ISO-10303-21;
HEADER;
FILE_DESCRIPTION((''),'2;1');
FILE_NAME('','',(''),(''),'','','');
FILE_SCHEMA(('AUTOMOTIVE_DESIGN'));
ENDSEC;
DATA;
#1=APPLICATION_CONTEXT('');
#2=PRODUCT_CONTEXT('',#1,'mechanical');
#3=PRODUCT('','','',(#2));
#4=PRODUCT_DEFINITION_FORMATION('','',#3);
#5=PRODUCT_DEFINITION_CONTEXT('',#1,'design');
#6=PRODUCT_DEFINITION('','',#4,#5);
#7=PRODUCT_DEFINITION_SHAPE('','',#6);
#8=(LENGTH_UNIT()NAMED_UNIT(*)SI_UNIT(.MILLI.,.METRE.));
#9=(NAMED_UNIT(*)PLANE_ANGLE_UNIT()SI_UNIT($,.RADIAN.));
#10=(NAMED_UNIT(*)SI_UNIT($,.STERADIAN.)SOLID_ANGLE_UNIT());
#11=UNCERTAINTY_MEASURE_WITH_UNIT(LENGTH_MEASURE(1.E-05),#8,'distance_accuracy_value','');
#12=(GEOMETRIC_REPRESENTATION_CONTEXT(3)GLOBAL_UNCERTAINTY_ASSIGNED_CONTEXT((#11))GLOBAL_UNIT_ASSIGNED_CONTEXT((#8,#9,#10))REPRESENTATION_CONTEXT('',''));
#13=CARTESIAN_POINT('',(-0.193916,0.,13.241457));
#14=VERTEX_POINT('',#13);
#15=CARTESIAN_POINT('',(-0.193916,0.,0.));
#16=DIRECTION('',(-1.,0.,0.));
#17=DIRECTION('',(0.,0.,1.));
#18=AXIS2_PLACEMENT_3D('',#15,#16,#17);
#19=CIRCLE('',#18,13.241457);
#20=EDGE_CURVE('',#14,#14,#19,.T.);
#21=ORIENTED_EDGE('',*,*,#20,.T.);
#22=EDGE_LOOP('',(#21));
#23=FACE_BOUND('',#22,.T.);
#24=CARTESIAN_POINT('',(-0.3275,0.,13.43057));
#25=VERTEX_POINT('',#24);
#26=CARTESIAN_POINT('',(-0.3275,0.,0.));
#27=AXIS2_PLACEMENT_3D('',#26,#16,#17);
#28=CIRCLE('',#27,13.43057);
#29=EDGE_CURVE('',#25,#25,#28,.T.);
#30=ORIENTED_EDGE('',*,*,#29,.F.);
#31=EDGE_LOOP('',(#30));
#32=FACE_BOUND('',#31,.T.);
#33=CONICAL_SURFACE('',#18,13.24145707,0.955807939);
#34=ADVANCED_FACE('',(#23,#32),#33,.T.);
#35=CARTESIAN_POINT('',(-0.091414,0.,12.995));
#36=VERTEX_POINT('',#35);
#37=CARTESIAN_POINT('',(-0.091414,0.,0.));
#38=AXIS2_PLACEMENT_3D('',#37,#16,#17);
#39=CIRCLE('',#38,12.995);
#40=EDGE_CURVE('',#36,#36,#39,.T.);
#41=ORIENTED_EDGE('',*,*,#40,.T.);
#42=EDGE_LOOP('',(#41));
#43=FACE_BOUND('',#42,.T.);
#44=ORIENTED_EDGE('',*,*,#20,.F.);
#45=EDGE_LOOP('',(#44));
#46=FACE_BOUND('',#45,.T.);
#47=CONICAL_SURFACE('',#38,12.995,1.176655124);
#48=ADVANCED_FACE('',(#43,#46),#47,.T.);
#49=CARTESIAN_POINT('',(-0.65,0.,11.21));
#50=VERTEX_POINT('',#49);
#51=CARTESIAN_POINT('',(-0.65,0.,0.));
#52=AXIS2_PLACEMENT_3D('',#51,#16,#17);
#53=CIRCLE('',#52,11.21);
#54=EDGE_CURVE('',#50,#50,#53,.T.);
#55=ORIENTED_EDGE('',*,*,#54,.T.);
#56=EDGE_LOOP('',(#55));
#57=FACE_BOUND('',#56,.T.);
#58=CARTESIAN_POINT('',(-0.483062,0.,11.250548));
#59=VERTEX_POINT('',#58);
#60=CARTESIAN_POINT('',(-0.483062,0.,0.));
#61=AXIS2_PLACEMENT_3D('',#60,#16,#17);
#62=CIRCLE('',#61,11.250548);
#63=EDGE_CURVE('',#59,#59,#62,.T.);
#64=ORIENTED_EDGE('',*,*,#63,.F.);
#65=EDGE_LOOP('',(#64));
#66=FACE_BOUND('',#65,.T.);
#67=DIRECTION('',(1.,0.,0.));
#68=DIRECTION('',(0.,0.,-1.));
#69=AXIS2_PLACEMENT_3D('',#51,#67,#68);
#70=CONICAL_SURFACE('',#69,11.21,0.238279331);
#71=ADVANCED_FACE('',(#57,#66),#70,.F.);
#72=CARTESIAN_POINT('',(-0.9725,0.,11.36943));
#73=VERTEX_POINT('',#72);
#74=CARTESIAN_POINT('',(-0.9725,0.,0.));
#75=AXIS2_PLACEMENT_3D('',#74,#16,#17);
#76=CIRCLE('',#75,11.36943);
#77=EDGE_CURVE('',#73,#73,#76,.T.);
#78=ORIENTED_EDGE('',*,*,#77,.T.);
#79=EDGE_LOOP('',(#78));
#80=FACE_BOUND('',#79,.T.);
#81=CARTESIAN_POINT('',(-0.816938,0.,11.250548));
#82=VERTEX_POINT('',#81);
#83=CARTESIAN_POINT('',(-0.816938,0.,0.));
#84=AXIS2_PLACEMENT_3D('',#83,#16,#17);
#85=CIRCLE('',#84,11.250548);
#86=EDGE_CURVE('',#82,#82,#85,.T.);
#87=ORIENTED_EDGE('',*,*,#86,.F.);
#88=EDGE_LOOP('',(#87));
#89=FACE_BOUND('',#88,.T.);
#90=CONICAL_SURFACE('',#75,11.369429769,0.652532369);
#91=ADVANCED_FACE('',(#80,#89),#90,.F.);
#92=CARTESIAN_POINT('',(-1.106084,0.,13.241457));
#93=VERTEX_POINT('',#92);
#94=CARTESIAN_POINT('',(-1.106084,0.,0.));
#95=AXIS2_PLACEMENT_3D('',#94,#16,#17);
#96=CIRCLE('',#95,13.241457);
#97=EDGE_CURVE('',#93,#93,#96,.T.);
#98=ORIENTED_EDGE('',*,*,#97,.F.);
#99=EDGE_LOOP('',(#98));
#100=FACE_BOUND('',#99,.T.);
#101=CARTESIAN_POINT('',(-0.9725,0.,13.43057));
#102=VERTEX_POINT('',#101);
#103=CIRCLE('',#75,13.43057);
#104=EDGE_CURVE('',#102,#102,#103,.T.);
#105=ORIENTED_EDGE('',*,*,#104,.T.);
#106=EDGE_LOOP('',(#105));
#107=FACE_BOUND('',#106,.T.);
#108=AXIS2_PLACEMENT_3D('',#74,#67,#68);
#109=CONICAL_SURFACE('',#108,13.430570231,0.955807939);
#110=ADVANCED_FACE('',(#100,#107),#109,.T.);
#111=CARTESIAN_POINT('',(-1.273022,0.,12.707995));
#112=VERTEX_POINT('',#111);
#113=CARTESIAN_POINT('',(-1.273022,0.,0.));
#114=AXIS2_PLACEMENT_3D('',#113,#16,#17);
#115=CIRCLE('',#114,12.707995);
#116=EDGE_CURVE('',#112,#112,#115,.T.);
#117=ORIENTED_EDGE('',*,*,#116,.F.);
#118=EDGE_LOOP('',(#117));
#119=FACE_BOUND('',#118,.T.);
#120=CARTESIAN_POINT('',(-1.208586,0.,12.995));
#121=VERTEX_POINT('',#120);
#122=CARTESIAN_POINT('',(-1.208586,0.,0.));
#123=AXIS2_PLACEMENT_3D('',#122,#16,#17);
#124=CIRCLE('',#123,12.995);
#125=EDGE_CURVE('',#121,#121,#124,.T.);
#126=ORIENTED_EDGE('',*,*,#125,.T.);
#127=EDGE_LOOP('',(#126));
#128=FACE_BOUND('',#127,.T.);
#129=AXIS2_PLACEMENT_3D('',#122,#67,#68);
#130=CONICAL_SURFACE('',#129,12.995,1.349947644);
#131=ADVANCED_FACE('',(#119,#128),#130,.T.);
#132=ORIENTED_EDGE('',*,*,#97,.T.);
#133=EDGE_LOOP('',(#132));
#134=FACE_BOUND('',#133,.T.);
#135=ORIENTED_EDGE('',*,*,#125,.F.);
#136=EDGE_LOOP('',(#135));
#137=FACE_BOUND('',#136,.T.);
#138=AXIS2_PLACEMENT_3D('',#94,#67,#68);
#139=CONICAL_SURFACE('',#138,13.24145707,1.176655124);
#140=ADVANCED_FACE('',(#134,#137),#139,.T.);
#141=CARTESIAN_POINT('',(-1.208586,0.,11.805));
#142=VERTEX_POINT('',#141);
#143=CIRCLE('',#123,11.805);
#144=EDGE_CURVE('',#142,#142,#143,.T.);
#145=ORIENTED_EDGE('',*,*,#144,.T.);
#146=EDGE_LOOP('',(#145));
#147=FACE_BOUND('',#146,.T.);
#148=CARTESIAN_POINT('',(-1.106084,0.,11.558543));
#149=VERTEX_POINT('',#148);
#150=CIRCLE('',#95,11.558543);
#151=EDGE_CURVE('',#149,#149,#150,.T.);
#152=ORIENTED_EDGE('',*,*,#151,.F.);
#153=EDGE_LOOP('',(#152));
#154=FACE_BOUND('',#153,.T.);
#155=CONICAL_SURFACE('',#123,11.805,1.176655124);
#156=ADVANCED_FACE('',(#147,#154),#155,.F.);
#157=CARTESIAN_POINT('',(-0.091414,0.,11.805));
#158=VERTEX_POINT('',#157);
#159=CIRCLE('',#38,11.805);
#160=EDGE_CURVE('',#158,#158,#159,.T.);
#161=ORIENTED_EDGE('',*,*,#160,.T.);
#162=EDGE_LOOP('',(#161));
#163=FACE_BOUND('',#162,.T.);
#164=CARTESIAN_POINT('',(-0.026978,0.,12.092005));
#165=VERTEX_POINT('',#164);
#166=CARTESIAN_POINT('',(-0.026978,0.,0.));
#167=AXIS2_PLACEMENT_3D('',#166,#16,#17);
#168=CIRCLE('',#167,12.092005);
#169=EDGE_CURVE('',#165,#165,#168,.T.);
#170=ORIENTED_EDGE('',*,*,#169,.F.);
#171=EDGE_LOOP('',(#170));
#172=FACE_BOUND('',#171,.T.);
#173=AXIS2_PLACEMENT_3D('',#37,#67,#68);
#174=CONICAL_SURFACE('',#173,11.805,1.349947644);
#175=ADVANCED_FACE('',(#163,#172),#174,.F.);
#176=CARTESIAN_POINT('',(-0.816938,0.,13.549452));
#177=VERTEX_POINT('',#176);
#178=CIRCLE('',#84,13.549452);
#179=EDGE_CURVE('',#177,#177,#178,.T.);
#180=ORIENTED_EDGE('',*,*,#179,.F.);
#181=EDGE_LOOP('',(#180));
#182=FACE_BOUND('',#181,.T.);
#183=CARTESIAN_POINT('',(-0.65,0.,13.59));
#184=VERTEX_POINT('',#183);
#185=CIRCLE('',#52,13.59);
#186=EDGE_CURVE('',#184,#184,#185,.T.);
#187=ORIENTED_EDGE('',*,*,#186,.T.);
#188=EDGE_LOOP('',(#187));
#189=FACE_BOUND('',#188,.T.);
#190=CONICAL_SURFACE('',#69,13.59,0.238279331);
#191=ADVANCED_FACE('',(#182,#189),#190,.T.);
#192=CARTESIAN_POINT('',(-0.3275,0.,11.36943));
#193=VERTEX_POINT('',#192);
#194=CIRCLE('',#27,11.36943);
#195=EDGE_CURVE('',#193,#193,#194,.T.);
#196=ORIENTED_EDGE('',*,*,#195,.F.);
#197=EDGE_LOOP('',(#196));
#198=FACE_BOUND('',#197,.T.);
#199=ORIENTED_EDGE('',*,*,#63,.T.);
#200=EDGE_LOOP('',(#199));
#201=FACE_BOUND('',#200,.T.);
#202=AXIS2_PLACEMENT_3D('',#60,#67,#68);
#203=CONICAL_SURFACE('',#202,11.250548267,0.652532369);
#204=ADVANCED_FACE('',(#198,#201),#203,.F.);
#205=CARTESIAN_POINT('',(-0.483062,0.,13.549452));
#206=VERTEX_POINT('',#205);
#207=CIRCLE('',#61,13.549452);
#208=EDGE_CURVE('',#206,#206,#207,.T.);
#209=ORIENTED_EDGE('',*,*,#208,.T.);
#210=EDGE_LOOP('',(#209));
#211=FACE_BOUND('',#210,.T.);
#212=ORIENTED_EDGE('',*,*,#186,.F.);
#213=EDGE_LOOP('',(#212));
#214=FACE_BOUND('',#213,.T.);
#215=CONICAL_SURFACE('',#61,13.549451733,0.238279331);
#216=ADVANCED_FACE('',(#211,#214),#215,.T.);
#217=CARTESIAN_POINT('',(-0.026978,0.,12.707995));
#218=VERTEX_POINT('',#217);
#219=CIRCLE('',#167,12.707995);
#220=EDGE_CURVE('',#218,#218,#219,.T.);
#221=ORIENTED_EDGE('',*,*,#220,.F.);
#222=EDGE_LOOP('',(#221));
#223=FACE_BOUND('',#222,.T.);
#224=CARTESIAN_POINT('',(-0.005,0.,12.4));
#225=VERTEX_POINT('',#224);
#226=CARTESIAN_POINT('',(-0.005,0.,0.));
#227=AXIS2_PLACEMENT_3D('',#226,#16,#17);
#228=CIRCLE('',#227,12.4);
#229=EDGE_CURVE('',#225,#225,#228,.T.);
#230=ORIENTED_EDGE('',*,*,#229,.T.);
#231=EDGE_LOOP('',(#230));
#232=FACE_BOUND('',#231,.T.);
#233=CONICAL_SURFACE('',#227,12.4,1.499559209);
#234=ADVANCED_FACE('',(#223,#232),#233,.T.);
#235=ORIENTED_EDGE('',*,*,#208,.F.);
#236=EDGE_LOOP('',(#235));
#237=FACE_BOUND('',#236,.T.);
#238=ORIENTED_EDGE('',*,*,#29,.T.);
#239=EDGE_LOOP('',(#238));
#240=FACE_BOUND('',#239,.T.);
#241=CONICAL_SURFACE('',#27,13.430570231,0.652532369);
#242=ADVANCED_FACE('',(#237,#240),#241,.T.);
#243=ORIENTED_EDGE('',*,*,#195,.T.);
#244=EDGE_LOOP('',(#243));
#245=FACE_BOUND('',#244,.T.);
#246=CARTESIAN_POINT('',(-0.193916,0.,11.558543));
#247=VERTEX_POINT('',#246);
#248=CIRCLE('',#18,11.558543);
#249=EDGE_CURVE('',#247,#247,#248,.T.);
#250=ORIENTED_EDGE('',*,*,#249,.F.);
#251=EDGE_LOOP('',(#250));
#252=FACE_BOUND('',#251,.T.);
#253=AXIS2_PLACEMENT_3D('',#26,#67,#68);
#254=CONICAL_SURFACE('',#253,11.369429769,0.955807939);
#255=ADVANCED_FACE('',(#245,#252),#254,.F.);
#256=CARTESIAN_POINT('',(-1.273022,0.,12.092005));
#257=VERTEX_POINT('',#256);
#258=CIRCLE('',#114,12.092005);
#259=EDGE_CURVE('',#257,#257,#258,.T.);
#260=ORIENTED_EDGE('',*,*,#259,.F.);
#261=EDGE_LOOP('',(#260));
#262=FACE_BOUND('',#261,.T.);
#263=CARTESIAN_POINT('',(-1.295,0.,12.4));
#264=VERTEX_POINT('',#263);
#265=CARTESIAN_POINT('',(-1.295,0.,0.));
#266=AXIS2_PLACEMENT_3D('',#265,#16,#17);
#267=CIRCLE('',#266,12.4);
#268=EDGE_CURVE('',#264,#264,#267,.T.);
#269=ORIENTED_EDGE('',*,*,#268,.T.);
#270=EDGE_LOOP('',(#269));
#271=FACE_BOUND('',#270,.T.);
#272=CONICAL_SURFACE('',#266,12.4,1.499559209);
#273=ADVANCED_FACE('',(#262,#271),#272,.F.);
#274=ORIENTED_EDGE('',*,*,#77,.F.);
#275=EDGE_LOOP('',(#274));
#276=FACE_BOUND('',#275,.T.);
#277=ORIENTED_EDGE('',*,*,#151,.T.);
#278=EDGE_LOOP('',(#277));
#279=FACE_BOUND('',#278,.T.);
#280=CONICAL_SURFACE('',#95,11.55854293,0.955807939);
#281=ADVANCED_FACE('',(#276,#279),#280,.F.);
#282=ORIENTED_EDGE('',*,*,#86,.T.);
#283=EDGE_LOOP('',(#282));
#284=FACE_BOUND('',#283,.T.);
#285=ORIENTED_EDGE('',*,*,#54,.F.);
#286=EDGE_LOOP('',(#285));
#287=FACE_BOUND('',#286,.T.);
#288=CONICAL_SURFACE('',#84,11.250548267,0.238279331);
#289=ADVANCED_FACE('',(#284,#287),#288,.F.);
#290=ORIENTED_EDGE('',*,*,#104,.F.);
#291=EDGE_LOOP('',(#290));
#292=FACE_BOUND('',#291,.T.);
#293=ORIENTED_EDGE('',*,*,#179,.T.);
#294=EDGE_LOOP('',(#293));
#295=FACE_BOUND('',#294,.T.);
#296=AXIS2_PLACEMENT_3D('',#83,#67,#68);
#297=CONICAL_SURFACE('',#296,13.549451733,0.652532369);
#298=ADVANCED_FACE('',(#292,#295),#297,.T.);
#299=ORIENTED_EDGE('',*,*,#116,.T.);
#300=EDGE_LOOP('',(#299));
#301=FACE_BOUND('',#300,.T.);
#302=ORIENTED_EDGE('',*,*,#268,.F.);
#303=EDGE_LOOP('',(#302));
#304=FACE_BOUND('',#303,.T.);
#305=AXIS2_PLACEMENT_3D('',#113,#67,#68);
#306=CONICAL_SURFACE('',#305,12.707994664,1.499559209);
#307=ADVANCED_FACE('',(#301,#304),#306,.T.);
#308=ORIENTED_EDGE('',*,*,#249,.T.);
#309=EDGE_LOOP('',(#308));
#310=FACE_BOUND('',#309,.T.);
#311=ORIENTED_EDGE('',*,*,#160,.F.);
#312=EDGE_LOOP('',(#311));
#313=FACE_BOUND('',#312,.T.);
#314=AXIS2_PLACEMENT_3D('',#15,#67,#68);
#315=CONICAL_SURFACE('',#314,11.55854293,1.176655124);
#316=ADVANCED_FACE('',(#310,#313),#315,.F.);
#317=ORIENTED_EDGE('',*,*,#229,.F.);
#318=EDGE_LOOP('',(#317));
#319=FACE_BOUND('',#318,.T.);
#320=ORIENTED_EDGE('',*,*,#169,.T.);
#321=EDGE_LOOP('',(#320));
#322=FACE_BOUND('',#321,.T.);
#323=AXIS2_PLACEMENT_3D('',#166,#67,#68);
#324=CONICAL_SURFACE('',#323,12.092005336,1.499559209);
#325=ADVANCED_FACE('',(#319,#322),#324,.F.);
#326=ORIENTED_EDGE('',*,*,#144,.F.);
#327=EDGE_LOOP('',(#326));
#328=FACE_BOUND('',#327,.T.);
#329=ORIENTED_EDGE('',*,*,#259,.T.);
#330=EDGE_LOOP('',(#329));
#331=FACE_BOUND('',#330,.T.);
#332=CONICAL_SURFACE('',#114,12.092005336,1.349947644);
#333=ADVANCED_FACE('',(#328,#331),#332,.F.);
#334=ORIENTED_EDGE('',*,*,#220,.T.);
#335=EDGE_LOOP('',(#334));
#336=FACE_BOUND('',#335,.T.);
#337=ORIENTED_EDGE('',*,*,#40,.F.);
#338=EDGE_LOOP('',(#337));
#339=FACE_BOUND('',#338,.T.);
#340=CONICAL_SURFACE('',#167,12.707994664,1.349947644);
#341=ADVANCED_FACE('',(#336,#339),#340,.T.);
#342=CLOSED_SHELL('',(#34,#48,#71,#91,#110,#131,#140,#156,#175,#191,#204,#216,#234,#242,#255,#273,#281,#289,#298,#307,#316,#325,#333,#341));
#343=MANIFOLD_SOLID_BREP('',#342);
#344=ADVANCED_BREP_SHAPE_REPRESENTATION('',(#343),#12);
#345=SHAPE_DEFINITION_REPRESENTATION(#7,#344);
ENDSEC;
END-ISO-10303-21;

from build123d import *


with BuildPart() as part:
    # O_Ring_Pintle Sketch → O_Ring_Pintle (revolve)
    with BuildSketch(Plane.XY):
        Polygon((-1.295, 12.4), (-1.273022158, 12.707994664), (-1.208586385, 12.995), (-1.106083874, 13.24145707), (-0.9725, 13.430570231), (-0.816938284, 13.549451733), (-0.65, 13.59), (-0.483061716, 13.549451733), (-0.3275, 13.430570231), (-0.193916126, 13.24145707), (-0.091413615, 12.995), (-0.026977842, 12.707994664), (-0.005, 12.4), (-0.026977842, 12.092005336), (-0.091413615, 11.805), (-0.193916126, 11.55854293), (-0.3275, 11.369429769), (-0.483061716, 11.250548267), (-0.65, 11.21), (-0.816938284, 11.250548267), (-0.9725, 11.369429769), (-1.106083874, 11.55854293), (-1.208586385, 11.805), (-1.273022158, 12.092005336), align=None)
    revolve(axis=Axis((-1000, 0, 0), (1, 0, 0)))


solid = part.part
